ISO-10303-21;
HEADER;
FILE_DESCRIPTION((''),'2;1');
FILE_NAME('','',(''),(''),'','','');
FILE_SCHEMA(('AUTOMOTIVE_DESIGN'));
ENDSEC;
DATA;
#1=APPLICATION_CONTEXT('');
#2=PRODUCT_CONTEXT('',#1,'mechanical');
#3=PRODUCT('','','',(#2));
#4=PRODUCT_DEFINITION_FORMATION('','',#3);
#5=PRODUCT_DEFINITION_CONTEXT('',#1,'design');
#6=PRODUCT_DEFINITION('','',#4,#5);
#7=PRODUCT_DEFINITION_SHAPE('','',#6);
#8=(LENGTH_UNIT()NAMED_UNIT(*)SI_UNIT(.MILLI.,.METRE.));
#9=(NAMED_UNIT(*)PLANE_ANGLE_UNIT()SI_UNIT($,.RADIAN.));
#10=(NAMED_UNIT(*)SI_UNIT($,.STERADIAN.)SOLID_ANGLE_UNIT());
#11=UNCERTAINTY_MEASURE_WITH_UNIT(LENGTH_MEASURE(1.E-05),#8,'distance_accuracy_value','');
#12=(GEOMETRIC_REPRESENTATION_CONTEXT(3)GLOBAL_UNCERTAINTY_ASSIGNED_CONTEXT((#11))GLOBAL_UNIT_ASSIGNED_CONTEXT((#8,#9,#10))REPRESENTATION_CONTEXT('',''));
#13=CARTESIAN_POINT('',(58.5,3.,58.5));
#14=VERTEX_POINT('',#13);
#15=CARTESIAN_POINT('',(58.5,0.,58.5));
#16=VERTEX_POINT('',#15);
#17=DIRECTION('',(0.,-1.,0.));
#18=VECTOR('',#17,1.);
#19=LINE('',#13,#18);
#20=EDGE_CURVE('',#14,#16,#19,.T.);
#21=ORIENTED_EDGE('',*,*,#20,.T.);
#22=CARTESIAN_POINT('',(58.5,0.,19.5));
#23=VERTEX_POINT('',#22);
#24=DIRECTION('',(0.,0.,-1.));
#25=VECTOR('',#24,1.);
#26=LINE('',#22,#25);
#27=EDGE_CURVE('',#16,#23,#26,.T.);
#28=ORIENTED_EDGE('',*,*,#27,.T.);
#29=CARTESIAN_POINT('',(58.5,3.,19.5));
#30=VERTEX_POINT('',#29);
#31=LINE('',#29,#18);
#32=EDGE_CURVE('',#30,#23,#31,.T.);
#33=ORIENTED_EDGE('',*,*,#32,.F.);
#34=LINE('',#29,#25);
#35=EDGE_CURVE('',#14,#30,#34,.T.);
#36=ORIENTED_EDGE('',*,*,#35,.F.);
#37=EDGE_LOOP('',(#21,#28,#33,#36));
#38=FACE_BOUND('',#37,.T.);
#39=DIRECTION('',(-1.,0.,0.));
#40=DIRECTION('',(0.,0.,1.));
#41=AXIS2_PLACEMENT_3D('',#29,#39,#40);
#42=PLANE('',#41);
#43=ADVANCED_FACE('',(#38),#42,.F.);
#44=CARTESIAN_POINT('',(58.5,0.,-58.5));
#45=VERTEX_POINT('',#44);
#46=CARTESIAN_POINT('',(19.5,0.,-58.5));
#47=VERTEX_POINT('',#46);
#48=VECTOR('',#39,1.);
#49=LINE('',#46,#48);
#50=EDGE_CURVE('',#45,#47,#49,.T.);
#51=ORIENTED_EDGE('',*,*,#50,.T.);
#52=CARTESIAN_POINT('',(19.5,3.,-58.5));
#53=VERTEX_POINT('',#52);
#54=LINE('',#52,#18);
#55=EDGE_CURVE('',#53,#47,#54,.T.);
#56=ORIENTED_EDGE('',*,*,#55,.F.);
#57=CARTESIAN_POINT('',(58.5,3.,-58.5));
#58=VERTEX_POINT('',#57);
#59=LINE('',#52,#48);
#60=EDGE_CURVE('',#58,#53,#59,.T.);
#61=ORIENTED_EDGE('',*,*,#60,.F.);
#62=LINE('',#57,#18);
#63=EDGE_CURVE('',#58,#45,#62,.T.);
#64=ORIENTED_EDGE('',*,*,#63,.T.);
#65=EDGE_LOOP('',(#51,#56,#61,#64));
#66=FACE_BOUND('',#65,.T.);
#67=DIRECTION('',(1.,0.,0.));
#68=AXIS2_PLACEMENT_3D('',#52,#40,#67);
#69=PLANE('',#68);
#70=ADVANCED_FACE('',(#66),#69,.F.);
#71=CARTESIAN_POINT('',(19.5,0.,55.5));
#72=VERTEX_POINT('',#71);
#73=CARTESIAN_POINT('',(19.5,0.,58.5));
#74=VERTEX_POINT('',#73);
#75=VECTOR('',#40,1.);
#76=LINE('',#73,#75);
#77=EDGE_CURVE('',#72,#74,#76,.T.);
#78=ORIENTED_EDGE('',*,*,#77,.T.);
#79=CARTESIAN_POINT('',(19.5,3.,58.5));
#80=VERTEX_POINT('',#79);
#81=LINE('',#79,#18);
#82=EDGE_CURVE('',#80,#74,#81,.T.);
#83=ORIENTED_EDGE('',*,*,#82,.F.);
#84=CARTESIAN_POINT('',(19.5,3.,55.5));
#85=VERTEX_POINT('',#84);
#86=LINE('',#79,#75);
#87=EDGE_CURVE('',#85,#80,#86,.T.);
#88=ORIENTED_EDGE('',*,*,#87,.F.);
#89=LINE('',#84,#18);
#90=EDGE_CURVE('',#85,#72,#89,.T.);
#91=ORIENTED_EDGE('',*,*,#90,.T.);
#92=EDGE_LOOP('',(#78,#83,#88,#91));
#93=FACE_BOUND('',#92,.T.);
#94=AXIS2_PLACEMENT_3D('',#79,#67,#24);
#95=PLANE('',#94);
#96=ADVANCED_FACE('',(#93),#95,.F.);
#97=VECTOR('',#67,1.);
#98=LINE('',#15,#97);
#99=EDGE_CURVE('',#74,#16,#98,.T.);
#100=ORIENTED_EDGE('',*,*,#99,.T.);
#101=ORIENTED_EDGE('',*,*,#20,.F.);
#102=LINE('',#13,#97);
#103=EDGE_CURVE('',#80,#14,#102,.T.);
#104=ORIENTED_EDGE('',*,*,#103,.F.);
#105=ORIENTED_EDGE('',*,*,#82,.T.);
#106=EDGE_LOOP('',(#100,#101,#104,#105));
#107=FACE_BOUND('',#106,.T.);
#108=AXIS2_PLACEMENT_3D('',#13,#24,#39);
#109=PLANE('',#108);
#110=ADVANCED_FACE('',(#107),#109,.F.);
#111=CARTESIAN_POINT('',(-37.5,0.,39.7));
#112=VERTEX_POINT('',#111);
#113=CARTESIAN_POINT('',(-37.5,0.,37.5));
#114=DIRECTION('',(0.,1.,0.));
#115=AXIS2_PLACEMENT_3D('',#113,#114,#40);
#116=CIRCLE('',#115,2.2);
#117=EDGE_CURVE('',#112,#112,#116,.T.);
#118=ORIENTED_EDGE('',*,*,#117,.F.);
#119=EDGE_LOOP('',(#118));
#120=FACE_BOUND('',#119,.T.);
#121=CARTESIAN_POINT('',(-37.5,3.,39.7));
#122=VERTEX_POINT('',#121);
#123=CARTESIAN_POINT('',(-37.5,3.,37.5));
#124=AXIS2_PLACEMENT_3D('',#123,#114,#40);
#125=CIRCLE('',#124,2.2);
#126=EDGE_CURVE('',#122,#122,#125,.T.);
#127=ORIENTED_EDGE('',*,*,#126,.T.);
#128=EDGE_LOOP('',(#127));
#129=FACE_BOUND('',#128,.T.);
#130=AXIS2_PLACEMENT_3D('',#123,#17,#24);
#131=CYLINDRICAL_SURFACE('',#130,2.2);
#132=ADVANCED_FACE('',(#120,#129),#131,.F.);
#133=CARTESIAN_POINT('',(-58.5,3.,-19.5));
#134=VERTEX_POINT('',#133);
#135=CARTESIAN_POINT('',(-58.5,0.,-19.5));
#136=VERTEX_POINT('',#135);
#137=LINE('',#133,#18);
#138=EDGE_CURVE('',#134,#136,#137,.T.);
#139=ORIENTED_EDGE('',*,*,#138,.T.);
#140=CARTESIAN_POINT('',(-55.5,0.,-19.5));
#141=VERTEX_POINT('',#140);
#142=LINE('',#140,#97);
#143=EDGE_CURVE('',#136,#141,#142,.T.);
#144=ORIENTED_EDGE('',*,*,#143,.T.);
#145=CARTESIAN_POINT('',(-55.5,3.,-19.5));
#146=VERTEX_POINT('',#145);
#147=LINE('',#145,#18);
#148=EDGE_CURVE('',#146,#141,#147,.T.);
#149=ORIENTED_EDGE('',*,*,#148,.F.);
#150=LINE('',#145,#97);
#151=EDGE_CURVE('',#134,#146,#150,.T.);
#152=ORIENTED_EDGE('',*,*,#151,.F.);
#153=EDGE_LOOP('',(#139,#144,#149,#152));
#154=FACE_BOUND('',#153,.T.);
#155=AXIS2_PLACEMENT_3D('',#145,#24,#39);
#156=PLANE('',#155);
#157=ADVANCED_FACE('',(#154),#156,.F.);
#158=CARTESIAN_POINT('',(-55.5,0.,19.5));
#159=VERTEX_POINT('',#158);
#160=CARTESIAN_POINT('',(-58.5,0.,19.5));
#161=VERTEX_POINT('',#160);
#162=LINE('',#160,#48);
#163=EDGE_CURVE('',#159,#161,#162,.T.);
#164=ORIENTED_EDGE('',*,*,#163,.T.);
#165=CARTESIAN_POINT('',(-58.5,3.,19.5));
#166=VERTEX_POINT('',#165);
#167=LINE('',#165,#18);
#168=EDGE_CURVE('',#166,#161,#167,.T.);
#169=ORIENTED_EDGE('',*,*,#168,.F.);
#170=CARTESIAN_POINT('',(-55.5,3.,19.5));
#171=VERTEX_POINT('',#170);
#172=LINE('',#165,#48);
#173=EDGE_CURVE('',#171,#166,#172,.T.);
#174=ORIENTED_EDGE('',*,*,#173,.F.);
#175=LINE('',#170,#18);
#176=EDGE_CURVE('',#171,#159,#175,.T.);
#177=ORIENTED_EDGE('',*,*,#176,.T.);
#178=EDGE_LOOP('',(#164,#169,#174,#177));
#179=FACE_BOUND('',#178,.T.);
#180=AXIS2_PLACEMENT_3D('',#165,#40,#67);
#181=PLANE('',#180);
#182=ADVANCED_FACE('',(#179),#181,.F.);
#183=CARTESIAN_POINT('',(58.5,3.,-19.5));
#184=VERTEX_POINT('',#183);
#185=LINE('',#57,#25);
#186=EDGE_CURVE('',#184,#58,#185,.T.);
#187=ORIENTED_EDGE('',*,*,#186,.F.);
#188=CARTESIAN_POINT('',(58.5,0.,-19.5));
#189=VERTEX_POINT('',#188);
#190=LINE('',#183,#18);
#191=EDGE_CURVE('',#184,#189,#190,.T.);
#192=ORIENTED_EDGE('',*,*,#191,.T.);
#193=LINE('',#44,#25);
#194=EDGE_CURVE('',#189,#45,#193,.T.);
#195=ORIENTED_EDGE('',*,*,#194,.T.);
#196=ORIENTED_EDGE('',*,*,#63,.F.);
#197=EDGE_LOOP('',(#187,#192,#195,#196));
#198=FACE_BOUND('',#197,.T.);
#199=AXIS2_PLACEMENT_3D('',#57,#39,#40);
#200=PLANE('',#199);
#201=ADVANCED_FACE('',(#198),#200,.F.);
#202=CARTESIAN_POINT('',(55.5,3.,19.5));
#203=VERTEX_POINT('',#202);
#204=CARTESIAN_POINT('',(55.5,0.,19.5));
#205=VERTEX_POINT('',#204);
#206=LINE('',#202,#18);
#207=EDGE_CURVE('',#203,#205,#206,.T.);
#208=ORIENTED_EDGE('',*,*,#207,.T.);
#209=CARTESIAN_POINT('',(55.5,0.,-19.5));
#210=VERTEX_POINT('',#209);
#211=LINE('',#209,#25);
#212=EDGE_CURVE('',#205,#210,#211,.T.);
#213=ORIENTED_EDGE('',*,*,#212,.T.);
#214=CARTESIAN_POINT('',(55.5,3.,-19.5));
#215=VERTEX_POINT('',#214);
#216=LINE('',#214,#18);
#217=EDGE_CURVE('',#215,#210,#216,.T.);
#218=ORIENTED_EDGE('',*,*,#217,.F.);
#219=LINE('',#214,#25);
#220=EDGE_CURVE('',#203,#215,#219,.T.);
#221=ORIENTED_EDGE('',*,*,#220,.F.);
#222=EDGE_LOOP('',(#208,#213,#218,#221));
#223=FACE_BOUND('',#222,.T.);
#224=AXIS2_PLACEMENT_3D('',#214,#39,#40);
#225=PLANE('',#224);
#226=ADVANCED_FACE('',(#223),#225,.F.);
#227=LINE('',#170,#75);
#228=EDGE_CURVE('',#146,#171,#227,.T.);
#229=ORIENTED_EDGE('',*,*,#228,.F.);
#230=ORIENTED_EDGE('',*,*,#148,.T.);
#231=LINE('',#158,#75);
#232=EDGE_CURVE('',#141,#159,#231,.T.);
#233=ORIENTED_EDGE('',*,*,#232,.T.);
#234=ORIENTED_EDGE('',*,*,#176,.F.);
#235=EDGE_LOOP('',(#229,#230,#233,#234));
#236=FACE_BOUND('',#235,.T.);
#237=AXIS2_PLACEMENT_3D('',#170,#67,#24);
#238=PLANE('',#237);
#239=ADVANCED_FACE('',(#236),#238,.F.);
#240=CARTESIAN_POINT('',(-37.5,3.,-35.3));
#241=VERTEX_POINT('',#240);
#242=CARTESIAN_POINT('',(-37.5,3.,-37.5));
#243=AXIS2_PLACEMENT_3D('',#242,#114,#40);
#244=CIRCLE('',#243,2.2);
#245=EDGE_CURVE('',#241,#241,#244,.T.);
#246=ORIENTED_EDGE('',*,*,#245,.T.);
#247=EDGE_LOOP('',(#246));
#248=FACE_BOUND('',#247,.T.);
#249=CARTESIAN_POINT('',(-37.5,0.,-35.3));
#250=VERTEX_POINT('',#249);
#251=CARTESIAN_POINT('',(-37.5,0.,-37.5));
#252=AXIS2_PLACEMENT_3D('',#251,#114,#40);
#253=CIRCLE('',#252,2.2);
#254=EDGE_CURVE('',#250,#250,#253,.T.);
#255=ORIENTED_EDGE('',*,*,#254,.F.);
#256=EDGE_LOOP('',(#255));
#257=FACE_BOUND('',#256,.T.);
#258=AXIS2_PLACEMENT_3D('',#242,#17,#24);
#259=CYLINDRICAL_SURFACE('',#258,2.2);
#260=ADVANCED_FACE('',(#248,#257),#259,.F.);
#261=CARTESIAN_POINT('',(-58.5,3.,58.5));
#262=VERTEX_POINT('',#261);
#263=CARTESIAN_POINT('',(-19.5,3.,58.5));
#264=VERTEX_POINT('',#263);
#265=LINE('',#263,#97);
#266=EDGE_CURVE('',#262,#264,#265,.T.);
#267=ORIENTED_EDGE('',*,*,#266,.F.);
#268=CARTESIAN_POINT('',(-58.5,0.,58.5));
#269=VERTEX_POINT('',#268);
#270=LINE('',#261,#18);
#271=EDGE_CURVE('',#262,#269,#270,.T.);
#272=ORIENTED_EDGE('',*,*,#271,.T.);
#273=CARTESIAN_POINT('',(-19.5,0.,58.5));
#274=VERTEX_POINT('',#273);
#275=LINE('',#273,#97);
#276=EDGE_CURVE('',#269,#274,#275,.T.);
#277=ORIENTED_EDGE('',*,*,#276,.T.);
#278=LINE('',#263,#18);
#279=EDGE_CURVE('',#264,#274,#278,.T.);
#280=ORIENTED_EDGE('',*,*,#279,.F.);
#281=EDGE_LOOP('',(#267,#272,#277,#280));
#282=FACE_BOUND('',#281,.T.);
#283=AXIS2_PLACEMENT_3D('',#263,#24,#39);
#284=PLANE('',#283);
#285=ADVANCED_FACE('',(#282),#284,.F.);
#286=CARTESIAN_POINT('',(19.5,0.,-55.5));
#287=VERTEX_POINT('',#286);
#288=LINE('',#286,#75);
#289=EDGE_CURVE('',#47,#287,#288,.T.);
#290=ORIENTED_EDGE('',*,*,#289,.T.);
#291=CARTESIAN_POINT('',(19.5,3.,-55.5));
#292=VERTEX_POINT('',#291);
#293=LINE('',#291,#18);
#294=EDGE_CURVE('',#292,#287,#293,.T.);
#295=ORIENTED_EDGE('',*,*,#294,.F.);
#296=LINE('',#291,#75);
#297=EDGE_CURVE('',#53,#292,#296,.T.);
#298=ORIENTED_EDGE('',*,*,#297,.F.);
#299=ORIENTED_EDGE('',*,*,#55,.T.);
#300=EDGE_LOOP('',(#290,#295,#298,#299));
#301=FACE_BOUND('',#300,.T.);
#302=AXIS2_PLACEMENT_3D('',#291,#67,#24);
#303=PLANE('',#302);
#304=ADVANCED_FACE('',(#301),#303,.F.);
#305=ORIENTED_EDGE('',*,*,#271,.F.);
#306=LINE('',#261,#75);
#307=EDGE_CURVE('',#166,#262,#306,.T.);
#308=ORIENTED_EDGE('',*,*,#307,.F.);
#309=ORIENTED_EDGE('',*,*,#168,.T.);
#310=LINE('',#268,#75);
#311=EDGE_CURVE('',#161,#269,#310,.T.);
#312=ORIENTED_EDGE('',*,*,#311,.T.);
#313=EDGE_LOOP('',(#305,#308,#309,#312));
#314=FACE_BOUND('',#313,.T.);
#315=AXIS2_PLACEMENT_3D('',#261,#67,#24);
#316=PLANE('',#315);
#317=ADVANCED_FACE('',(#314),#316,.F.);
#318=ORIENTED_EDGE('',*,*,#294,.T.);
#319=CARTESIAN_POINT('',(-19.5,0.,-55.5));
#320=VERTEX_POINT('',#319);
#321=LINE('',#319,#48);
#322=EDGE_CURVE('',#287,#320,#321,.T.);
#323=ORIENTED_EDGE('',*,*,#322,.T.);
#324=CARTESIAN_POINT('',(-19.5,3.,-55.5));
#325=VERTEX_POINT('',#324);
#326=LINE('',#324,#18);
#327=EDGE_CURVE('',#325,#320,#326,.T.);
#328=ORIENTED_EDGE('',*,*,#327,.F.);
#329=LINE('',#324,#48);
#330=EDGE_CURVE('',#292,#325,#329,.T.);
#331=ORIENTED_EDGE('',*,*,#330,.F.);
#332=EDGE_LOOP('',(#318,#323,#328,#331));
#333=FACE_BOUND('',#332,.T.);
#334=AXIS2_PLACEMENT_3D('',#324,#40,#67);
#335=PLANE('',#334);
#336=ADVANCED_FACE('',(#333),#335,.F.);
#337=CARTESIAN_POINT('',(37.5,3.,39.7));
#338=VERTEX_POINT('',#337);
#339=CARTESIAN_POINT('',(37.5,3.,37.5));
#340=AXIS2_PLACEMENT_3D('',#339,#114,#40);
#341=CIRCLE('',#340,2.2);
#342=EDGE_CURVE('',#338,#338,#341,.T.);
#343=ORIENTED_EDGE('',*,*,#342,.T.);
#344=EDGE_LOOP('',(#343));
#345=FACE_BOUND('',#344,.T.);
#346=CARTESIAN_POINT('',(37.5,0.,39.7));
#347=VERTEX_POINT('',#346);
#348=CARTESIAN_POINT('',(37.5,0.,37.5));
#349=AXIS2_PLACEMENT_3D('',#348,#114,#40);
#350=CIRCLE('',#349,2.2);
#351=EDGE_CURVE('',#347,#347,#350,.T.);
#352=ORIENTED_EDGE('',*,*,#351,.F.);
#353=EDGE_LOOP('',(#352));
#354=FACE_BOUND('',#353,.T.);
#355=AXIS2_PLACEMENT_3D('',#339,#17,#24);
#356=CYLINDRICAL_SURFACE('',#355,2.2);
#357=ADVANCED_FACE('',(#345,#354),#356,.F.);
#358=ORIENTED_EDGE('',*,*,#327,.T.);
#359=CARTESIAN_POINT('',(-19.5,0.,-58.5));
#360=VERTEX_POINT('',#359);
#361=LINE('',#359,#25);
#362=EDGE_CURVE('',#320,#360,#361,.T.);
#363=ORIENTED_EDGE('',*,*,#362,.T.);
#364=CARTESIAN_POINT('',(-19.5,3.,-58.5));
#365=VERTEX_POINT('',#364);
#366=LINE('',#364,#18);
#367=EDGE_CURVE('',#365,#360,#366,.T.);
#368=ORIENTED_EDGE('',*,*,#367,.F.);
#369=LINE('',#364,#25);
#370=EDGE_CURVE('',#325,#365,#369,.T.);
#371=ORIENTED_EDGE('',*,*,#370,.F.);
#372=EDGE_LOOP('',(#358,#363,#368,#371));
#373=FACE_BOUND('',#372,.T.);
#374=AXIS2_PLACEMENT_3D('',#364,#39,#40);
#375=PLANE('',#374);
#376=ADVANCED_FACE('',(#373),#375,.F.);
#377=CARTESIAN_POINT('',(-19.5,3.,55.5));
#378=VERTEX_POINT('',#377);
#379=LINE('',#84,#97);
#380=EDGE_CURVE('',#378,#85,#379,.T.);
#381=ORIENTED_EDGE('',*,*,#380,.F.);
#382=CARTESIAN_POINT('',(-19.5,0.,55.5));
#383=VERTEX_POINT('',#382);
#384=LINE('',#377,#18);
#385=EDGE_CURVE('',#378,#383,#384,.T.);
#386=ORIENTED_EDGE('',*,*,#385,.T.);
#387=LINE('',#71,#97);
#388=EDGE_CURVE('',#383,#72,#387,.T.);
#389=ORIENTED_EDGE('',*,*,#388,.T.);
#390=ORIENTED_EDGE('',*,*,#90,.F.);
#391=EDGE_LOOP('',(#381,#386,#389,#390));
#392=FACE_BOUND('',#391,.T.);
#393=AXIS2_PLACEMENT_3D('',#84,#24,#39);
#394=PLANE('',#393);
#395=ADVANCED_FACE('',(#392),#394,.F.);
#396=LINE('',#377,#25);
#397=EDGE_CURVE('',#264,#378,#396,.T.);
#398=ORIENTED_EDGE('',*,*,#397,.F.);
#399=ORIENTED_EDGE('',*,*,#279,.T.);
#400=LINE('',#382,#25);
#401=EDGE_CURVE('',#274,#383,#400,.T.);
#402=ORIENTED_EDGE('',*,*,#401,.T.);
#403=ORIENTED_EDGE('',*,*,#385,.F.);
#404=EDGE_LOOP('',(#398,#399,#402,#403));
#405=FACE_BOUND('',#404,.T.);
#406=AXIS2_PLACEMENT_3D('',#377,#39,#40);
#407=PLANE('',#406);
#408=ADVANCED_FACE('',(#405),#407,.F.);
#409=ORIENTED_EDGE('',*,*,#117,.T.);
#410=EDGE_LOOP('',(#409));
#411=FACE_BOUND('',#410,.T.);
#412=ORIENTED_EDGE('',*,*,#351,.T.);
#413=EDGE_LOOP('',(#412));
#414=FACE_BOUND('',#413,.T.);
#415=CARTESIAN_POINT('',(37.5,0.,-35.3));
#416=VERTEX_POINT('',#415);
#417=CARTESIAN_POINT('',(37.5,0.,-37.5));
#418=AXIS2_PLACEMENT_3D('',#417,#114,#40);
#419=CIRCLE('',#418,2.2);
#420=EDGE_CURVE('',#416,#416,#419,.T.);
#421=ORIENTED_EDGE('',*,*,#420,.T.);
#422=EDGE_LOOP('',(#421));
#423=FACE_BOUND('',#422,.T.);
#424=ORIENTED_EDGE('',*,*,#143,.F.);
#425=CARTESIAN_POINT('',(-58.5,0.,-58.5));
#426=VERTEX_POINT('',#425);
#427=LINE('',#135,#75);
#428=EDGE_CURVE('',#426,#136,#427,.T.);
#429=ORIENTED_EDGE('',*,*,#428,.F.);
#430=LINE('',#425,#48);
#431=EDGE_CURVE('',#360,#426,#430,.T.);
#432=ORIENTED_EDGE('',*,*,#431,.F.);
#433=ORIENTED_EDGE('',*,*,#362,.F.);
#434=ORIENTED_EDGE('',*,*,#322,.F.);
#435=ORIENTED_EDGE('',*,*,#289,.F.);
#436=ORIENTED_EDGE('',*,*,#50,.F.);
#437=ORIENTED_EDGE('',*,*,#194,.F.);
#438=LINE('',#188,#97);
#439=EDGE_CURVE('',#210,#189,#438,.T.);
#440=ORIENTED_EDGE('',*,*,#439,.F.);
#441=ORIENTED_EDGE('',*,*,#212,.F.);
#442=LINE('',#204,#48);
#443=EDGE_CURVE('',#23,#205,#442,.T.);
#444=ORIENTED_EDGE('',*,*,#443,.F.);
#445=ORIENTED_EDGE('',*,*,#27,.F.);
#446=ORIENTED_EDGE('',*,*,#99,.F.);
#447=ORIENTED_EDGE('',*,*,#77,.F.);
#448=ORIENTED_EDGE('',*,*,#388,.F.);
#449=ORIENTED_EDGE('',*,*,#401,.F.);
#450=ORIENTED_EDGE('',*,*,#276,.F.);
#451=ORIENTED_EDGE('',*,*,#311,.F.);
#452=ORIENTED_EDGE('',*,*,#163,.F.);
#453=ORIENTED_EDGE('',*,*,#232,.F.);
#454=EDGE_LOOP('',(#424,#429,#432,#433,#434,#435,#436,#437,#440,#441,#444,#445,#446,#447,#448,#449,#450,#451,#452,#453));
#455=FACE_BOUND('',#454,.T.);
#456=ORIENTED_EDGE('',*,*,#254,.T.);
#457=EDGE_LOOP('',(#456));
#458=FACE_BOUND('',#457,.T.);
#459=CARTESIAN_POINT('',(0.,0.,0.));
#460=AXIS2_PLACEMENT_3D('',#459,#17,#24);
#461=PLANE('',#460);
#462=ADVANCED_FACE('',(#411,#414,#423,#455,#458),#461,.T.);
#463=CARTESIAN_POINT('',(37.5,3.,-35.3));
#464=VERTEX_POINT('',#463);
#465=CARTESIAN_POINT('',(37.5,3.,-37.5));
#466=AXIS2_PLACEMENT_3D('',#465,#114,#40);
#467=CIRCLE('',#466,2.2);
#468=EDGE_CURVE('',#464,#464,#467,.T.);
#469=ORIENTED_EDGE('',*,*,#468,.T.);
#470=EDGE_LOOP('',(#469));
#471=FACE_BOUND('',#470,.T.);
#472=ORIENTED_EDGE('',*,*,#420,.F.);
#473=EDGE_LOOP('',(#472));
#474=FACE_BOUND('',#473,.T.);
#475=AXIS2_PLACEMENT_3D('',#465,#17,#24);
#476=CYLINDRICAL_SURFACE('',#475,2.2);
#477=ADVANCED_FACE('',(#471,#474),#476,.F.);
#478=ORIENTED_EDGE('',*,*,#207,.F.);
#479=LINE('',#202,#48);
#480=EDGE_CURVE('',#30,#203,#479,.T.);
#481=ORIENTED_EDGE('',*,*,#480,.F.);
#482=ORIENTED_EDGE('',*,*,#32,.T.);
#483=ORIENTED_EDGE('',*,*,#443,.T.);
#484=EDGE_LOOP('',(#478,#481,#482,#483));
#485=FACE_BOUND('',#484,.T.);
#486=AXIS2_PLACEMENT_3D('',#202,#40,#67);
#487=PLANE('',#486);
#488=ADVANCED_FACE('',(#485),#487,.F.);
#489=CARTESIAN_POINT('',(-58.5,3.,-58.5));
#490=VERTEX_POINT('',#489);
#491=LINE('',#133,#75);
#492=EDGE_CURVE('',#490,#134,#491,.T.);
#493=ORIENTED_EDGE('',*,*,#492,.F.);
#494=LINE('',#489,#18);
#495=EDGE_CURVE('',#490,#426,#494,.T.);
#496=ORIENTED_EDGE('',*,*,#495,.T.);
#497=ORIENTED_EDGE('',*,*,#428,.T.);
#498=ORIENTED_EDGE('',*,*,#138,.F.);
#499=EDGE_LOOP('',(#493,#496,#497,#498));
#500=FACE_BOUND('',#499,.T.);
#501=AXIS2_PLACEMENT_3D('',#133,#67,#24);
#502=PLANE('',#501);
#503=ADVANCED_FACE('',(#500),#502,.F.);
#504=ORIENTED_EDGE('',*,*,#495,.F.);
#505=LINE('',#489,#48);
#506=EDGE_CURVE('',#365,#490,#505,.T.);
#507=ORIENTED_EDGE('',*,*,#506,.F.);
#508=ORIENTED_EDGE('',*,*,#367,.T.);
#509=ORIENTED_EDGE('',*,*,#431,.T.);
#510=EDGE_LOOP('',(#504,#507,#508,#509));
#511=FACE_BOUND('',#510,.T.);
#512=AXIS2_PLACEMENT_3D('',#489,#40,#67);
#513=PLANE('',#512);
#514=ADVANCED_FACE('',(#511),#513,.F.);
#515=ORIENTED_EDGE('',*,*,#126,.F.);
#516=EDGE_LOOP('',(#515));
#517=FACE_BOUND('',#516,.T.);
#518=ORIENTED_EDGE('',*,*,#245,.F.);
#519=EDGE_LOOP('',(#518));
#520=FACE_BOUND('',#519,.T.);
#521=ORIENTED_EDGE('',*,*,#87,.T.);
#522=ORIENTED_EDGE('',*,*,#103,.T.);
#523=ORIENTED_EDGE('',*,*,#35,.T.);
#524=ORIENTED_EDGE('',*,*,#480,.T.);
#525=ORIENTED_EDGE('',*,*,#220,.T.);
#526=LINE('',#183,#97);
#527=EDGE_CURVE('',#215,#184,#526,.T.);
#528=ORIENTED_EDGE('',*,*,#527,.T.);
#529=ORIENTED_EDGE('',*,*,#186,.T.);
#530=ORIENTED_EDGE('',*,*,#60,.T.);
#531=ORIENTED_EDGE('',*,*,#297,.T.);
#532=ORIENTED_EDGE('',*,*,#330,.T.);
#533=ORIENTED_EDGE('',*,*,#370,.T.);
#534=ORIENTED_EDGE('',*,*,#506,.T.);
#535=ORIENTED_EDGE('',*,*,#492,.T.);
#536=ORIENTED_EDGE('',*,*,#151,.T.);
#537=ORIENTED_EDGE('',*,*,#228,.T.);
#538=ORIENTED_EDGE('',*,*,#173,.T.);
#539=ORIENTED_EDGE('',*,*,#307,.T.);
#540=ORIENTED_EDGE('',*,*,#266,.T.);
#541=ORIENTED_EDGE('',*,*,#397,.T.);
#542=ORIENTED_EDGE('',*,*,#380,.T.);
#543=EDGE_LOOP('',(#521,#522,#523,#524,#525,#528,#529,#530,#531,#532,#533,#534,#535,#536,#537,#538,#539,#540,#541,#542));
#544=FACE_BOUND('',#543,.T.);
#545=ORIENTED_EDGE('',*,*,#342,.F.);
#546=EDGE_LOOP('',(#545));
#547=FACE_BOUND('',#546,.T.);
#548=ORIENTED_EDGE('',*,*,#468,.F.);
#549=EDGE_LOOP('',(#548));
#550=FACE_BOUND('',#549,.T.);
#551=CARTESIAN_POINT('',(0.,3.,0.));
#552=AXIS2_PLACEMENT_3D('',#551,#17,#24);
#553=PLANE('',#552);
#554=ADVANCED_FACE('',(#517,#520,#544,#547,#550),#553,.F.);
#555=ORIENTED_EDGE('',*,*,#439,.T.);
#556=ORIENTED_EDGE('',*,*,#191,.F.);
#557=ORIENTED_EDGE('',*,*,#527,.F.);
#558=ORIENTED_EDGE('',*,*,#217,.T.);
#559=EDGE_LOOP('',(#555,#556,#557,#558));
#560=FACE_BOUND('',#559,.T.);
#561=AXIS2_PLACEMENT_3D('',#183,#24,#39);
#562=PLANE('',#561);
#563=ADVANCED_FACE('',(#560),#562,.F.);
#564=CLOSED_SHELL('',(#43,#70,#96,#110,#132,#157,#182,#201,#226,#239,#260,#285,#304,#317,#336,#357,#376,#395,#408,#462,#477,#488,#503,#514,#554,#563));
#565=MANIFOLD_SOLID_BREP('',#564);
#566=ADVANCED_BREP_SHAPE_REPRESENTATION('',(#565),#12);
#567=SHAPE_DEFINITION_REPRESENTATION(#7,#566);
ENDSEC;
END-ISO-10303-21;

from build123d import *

# Parameters (mm, degrees)
SKETCH1_R           = 2.2
BOSS_EXTRUDE1_DEPTH = 3


with BuildPart() as part:
    # Sketch1 → Boss-Extrude1 (new body)
    with BuildSketch(Plane(origin=(0, 0, 0), x_dir=(1, 0, 0), z_dir=(0, 1, 0))):
        Polygon((-58.5, 19.5), (-58.5, 58.5), (-19.5, 58.5), (-19.5, 55.5), (19.5, 55.5), (19.5, 58.5), (58.5, 58.5), (58.5, 19.5), (55.5, 19.5), (55.5, -19.5), (58.5, -19.5), (58.5, -58.5), (19.5, -58.5), (19.5, -55.5), (-19.5, -55.5), (-19.5, -58.5), (-58.5, -58.5), (-58.5, -19.5), (-55.5, -19.5), (-55.5, 19.5), align=None)
        with Locations(Location((-37.5, 37.5, 0), (0, 0, 270))):
            Circle(SKETCH1_R, mode=Mode.SUBTRACT)
        with Locations(Location((37.5, 37.5, 0), (0, 0, 270))):
            Circle(SKETCH1_R, mode=Mode.SUBTRACT)
        with Locations(Location((37.5, -37.5, 0), (0, 0, 270))):
            Circle(SKETCH1_R, mode=Mode.SUBTRACT)
        with Locations(Location((-37.5, -37.5, 0), (0, 0, 270))):
            Circle(SKETCH1_R, mode=Mode.SUBTRACT)
    extrude(amount=BOSS_EXTRUDE1_DEPTH)


solid = part.part
